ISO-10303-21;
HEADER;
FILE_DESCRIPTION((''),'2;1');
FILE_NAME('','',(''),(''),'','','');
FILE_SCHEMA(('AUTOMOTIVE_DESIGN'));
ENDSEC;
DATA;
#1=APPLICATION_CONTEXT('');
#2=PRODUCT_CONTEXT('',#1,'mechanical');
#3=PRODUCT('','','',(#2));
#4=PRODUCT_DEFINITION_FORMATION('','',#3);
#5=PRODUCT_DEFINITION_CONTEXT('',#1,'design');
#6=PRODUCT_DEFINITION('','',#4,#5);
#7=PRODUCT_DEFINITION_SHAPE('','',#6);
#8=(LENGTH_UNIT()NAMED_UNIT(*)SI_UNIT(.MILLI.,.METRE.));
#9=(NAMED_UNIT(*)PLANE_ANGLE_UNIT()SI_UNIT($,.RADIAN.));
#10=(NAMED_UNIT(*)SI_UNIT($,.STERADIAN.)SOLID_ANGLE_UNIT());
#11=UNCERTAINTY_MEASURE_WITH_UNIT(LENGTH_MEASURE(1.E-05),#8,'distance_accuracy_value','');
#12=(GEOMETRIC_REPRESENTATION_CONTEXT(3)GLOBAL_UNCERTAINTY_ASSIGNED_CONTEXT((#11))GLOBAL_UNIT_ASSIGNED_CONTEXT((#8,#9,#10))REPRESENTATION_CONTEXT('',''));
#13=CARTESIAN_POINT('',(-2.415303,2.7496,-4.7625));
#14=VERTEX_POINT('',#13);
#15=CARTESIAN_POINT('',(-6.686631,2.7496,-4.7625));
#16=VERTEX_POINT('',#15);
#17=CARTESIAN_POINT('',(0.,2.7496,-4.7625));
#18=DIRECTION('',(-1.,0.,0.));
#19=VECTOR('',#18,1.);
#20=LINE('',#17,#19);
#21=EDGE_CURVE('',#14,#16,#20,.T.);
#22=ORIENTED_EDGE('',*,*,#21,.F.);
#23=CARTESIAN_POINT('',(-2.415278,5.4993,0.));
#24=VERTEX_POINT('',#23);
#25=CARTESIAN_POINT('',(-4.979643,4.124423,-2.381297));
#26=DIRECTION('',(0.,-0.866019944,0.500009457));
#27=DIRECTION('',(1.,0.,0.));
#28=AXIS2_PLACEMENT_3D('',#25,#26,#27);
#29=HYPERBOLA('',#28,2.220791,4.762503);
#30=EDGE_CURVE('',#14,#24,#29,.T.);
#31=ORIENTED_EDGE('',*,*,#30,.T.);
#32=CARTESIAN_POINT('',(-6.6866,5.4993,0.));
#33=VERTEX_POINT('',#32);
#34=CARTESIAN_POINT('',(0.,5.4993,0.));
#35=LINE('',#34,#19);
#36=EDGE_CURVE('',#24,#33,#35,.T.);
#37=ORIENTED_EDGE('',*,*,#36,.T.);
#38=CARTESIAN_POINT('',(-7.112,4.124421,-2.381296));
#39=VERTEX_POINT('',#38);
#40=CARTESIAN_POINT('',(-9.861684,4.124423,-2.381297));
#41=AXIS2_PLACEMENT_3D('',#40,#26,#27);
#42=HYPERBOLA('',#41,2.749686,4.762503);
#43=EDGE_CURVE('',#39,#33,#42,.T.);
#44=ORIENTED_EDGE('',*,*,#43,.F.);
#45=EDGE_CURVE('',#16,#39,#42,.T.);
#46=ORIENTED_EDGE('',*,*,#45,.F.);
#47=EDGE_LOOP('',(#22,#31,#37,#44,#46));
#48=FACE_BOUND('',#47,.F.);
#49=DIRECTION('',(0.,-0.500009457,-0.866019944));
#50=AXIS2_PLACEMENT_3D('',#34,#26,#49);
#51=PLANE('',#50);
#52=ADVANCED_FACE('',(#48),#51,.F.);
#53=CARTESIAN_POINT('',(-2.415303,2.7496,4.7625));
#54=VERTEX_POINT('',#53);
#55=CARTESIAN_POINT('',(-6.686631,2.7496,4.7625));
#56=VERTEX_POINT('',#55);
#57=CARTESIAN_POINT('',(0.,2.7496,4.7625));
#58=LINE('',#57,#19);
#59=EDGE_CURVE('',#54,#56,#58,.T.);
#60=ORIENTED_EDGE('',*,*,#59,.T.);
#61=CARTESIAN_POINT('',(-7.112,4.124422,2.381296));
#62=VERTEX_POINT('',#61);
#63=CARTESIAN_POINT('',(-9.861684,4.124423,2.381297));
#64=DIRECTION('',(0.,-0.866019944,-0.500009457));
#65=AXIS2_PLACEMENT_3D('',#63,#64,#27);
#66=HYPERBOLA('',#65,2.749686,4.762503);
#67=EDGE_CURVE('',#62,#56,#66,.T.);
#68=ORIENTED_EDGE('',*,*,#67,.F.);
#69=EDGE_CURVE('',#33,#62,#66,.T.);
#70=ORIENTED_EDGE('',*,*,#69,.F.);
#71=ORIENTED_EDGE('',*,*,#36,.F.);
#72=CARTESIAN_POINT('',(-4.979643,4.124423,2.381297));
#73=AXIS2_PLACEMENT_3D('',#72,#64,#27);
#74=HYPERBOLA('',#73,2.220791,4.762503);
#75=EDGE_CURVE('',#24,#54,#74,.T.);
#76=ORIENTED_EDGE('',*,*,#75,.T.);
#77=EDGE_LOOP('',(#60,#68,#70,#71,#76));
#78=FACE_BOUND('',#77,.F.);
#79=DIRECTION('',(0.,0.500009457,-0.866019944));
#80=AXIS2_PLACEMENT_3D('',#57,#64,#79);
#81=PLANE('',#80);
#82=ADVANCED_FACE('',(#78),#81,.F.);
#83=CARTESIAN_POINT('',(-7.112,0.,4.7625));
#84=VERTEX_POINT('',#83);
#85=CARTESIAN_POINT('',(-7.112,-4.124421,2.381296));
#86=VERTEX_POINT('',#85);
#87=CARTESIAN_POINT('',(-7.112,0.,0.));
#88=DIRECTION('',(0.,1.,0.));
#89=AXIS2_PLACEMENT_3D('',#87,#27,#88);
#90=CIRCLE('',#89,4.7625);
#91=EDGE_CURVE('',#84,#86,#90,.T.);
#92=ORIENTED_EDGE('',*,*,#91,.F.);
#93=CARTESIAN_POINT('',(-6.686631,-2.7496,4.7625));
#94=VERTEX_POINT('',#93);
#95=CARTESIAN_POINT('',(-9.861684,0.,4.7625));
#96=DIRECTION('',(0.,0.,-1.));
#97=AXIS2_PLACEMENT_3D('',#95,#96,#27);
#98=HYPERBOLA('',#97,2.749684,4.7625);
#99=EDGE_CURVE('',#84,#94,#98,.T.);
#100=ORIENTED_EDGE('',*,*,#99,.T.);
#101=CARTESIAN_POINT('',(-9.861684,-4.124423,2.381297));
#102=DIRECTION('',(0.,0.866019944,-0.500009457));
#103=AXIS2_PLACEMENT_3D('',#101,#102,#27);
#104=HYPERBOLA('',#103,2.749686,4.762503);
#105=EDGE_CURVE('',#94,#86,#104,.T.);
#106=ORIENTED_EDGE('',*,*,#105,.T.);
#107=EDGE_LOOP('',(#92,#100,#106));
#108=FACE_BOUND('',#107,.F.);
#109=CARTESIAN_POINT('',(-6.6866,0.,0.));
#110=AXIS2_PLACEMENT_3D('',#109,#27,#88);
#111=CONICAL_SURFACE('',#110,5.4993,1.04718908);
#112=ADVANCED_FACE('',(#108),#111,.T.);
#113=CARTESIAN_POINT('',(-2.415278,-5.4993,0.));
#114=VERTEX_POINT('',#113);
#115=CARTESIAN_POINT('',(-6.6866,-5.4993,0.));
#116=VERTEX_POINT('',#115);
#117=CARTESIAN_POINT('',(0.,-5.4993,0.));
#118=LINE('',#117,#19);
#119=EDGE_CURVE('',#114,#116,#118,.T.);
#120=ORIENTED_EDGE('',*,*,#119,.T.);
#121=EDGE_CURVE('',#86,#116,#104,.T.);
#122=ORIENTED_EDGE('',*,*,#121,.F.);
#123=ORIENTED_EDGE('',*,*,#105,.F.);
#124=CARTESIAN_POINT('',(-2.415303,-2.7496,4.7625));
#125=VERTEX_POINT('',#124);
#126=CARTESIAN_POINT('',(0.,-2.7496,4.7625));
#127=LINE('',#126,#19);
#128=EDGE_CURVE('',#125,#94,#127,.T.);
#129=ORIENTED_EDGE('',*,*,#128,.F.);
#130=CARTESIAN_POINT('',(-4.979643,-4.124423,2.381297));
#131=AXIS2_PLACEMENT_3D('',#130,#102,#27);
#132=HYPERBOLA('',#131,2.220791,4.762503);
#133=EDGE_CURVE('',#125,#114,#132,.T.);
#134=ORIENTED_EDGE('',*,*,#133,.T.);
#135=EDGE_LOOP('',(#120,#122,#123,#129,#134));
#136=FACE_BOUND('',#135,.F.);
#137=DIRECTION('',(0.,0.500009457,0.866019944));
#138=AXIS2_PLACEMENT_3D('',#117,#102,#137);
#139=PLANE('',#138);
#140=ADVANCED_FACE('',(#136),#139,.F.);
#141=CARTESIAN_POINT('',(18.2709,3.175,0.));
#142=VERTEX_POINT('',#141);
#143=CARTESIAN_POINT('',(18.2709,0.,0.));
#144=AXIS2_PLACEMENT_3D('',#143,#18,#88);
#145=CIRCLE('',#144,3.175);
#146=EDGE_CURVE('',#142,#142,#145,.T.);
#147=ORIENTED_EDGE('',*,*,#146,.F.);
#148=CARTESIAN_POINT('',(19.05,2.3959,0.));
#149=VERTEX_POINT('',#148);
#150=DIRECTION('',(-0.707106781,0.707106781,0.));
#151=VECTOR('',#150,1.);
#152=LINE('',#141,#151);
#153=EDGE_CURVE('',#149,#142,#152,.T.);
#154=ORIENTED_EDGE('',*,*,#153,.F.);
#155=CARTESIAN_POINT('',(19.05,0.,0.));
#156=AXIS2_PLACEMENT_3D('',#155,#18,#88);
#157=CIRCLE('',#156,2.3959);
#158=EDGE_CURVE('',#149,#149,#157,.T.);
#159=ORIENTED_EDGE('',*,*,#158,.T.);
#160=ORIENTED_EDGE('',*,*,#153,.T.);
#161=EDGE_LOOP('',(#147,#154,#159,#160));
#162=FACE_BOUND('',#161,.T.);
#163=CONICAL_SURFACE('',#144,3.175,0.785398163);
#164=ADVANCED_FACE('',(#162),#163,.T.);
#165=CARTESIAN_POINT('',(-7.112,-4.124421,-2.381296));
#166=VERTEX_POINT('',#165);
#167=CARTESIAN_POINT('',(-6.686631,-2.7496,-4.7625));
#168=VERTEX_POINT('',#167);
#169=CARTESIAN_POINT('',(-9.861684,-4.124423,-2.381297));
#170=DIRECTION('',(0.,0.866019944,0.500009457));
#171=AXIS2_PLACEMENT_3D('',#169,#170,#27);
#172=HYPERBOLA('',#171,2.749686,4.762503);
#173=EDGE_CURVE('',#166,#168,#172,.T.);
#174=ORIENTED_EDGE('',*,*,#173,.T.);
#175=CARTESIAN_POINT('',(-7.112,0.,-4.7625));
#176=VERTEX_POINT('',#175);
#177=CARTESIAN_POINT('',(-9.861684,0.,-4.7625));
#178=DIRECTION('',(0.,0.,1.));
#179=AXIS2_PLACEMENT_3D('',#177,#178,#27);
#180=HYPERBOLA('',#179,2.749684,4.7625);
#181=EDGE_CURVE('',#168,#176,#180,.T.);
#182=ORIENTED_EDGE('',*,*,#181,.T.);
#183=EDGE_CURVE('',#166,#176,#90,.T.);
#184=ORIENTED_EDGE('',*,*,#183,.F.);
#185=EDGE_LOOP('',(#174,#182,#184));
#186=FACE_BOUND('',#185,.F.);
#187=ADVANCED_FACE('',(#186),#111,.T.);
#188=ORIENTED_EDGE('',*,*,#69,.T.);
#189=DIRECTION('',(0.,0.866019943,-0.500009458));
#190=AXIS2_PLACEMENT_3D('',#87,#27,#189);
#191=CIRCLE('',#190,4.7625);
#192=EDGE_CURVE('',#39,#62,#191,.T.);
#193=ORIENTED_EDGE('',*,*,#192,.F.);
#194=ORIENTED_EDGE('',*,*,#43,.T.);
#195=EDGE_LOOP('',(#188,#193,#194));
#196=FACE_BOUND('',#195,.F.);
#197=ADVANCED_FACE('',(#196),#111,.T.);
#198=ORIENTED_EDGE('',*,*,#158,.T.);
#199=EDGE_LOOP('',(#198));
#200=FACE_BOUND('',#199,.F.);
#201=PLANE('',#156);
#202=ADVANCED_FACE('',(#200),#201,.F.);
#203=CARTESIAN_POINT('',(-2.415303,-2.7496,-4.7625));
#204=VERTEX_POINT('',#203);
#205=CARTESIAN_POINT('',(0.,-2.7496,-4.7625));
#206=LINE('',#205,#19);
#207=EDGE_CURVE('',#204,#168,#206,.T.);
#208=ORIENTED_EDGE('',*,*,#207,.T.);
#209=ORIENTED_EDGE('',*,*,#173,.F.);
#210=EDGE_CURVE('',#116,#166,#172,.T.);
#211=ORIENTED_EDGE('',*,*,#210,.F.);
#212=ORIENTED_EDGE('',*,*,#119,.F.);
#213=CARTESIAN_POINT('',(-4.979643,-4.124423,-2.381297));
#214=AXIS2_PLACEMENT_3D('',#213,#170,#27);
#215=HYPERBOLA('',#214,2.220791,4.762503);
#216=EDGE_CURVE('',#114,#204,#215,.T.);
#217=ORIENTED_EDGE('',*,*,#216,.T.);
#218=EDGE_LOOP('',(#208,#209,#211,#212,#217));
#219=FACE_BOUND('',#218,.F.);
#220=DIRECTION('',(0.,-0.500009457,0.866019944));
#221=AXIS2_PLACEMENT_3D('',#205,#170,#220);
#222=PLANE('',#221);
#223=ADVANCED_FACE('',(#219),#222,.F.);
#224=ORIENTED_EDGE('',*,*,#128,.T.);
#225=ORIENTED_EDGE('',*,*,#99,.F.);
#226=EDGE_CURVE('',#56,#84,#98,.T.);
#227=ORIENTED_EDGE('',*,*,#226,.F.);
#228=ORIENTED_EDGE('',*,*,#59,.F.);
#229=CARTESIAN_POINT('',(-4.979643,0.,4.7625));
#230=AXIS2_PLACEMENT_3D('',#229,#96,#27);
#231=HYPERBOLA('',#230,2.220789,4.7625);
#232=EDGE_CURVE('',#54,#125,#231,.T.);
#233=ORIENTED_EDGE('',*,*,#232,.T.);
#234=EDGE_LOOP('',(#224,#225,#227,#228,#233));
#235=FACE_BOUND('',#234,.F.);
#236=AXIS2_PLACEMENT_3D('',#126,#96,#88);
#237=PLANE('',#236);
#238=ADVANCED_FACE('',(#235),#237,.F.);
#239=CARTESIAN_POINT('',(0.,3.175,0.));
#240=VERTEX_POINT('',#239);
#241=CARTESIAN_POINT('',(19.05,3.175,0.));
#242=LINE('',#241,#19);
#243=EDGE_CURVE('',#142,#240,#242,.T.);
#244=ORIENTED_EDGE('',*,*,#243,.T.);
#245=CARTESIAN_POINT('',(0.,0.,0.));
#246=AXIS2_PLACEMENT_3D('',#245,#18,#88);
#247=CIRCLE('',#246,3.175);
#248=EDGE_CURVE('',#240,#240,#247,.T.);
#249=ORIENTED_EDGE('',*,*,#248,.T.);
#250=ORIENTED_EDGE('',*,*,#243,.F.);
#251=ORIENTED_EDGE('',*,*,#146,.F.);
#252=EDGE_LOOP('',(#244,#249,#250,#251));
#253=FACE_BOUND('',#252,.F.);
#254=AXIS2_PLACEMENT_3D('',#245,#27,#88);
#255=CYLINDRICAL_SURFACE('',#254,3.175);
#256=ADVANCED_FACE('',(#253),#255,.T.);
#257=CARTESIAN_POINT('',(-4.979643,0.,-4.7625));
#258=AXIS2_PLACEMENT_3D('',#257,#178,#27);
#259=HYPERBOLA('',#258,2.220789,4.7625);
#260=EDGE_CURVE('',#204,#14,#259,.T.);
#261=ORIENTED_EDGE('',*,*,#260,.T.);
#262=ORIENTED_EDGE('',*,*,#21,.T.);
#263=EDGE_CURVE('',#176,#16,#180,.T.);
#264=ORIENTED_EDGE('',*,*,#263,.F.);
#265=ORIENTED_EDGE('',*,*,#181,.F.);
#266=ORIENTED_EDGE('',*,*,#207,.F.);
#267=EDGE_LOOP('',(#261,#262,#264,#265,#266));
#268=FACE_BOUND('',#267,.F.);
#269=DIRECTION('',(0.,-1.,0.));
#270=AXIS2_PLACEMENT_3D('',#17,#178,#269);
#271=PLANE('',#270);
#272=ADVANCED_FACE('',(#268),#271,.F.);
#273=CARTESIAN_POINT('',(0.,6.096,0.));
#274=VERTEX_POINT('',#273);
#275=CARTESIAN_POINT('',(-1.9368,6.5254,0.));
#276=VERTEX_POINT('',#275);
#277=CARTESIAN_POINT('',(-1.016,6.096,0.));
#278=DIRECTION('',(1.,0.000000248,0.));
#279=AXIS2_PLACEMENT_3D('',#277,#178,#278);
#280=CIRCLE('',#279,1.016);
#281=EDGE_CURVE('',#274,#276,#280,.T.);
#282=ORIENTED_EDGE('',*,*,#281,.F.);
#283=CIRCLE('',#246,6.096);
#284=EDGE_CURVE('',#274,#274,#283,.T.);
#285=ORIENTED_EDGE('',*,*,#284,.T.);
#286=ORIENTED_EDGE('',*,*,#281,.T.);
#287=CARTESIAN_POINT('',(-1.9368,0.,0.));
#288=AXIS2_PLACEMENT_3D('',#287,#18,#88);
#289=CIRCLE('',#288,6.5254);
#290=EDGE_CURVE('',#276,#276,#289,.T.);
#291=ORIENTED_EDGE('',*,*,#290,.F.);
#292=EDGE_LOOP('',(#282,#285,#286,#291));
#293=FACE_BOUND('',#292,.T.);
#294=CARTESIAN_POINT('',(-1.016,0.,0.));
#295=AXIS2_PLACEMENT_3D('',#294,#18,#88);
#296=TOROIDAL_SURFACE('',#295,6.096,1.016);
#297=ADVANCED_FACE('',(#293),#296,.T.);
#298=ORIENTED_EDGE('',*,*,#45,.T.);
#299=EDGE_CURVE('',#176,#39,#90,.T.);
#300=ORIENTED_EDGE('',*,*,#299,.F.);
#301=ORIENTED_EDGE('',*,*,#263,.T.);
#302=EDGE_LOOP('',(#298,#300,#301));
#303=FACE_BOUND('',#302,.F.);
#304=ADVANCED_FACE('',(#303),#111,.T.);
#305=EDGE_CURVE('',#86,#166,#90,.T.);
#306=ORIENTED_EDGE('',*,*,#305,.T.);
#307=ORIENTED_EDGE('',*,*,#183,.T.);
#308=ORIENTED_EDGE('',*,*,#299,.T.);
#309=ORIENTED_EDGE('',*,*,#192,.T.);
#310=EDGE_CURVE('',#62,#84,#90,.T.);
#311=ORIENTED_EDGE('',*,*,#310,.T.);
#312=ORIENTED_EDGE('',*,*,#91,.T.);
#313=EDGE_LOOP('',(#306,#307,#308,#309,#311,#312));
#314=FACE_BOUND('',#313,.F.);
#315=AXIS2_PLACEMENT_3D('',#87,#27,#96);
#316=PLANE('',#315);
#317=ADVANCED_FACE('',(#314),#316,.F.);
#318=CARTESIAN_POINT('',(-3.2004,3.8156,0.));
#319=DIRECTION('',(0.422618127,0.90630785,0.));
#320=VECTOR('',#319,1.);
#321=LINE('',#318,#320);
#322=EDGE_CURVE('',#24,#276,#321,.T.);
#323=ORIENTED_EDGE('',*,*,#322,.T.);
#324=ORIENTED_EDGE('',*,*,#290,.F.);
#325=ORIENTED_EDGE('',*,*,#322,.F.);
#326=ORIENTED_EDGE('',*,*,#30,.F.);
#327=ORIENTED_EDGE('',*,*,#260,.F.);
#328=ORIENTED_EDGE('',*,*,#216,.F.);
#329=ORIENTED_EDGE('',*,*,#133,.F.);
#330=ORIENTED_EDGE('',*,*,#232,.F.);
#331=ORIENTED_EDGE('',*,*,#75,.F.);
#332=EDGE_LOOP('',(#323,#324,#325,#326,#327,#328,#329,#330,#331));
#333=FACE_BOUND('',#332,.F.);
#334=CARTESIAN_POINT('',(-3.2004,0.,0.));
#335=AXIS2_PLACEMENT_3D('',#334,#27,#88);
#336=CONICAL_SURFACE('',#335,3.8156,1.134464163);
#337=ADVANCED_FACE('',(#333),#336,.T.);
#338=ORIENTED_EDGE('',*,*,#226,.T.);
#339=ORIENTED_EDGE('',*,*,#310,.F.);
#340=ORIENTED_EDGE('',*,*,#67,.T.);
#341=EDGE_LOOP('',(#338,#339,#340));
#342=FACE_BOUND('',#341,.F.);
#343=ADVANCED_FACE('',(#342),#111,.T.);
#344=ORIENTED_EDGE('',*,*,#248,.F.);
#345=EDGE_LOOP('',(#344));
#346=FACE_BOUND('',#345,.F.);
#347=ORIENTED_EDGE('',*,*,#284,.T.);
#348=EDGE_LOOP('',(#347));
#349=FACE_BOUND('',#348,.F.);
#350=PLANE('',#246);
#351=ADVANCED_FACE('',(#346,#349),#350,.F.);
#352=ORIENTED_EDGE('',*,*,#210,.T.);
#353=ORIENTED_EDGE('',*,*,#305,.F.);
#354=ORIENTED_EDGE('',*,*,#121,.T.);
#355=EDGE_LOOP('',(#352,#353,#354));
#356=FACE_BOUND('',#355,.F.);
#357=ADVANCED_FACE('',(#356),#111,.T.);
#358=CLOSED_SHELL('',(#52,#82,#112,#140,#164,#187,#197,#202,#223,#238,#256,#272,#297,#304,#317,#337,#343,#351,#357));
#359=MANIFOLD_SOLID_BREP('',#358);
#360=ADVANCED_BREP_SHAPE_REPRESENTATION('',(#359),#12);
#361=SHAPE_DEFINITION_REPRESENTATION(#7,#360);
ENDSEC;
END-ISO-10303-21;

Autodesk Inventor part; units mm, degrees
ref_plane "YZ Plane" through (0, 0, 0) normal (1, 0, 0) x (0, 1, 0)
ref_plane "XZ Plane" through (0, 0, 0) normal (0, 1, 0) x (-1, 0, 0)
sketch "Sketch1" plane through (0, 0, 0) normal (0, 0, 1) x (1, 0, 0)
  line L0 (-3.2004, 0) -> (-3.2004, 3.8156)
  line L1 (0, 6.096) -> (0, 3.175)
  line L2 (4.1148, 3.175) -> (19.05, 3.175)
  line L3 (19.05, 3.175) -> (19.05, 0)
  line L4 (19.05, 0) -> (-3.2004, 0)
  arc A0 (0, 6.096) -> (-1.9368, 6.5254) centre (-1.016, 6.096) ccw
  line L5 (0, -1.4605) -> (0, 8.7631) projected
  line L6 (-7.6505, 0) -> (23.5001, 0) projected
  line L7 (0, 3.175) -> (0.0001, 3.175)
  line L8 (0.0001, 3.175) -> (0.0001, 3.175)
  line L9 (0.0001, 3.175) -> (2.2098, 3.175)
  line L10 (2.2098, 3.175) -> (4.1148, 3.175)
  line L11 (-3.2004, 3.8156) -> (-1.9368, 6.5254)
  line L12 (0.0001, 3.175) -> (4.1148, 3.175) construction
  line L13 (4.1148, 3.175) -> (4.1148, 0) construction
  dimension "d0" = 1.016
  dimension "d1" = 19.05
  dimension "d2" = 14.9352
  dimension "d3" = 14.224
  dimension "d4" = 6.35
  dimension "d5" = 3.2004
  dimension "d15" = 6.35
  dimension "d16" = 6.35
  dimension "d17" = 0.0001
  dimension "d18" = 1.905
  dimension "d19" = 25
revolve "Body" add sketch "Sketch1" angle 360 about axis through (19.05, 0, 0) along (-1, 0, 0)
sketch "Sketch2" plane through (0, 0, 0) normal (1, 0, 0) x (0, 0, -1)
  line L0 (4.7625, 2.7496) -> (4.7625, -2.7496)
  line L1 (4.7625, -2.7496) -> (0, -5.4993)
  line L2 (0, -5.4993) -> (-4.7625, -2.7496)
  line L3 (-4.7625, -2.7496) -> (-4.7625, 2.7496)
  line L4 (-4.7625, 2.7496) -> (0, 5.4993)
  line L5 (0, 5.4993) -> (4.7625, 2.7496)
  point P0 (0, 0)
  point P1 (0, 0)
  dimension "d23" = 9.525
extrude "Head" add sketch "Sketch2" against normal blind 7.112
sketch "Sketch3" plane through (0, 0, 0) normal (0, 0, 1) x (1, 0, 0)
  line L0 (-7.112, 4.7625) -> (-7.112, 5.4993)
  line L1 (-7.112, 5.4993) -> (-6.6866, 5.4993)
  line L2 (-6.6866, 5.4993) -> (-7.112, 4.7625)
  line L3 (-8.0513, 0) -> (-1.476, 0) projected
  line L4 (-7.112, 5.4993) -> (-7.112, 2.7496) projected
  line L5 (-2.4153, 5.4993) -> (-7.112, 5.4993) projected
  point P0 (-7.112, 2.7496)
  dimension "d8" = 30
  dimension "d22" = 9.525
revolve "Chamfer1" cut sketch "Sketch3" angle 360 about axis through (-10, 0, 0) along (1, 0, 0)
thread "Thread" size "1/4-20 UNC" class "2A" standard "ANSI Unified Screw Threads" length 14.9352
chamfer "Chamfer2" distance 0.7791 distance2 0.7791 1 edges at (19.05, -3.175, 0) measured on face at (19.05, -0.6414, -1.6914)
ref_plane "Work Plane1" through (10.95, 0, 0) normal (0, 0, -1) x (1, 0, 0)
equation "\"d0\" = PHH"
equation "\"d1\" = NLG"
equation "\"d2\" = GEL"
equation "\"d3\" = LADI"
equation "\"d4\" = GD"
equation "\"d5\" = 0.45 * KOH"
equation "\"d15\" = SD2"
equation "\"d16\" = BDM"
equation "\"d18\" = GAL"
equation "\"d19\" = KEWI"
equation "\"d23\" = SW"
equation "\"d6\" = KOH"
equation "\"d8\" = ANG1"
equation "\"d22\" = SW0"
equation "\"d10\" = GEL"
equation "\"d13\" = -0.5 * SPD + 0.5 * GD"
equation "\"d14\" = GUL"
equation "\"NLG\" = 19.05"
equation "\"GD\" = NND"
equation "\"BDM\" = NND"
equation "\"KOH\" = 7.112"
equation "\"GEL\" = 14.9352"
equation "\"LADI\" = 14.224"
equation "\"SW\" = 9.525"
equation "\"PHH\" = 1.016"
equation "\"SW0\" = SW"
equation "\"SPD\" = 4.79184"
equation "\"SD2\" = NND"
equation "\"SD\" = 0"
equation "\"ANG1\" = 30deg"
equation "\"KEWI\" = 25deg"
equation "\"GAL\" = 1.905"
equation "\"GUL\" = 0.77908"
equation "\"THREADDIA\" = 6.35"
equation "\"SDH\" = SW"
equation "\"TOA\" = 30deg"
equation "\"NND\" = 6.35"
equation "\"E0\" = 1.155 * SW"
equation "\"GD1\" = 4.79184"
properties part number "am-1271" material "Steel, Mild"
